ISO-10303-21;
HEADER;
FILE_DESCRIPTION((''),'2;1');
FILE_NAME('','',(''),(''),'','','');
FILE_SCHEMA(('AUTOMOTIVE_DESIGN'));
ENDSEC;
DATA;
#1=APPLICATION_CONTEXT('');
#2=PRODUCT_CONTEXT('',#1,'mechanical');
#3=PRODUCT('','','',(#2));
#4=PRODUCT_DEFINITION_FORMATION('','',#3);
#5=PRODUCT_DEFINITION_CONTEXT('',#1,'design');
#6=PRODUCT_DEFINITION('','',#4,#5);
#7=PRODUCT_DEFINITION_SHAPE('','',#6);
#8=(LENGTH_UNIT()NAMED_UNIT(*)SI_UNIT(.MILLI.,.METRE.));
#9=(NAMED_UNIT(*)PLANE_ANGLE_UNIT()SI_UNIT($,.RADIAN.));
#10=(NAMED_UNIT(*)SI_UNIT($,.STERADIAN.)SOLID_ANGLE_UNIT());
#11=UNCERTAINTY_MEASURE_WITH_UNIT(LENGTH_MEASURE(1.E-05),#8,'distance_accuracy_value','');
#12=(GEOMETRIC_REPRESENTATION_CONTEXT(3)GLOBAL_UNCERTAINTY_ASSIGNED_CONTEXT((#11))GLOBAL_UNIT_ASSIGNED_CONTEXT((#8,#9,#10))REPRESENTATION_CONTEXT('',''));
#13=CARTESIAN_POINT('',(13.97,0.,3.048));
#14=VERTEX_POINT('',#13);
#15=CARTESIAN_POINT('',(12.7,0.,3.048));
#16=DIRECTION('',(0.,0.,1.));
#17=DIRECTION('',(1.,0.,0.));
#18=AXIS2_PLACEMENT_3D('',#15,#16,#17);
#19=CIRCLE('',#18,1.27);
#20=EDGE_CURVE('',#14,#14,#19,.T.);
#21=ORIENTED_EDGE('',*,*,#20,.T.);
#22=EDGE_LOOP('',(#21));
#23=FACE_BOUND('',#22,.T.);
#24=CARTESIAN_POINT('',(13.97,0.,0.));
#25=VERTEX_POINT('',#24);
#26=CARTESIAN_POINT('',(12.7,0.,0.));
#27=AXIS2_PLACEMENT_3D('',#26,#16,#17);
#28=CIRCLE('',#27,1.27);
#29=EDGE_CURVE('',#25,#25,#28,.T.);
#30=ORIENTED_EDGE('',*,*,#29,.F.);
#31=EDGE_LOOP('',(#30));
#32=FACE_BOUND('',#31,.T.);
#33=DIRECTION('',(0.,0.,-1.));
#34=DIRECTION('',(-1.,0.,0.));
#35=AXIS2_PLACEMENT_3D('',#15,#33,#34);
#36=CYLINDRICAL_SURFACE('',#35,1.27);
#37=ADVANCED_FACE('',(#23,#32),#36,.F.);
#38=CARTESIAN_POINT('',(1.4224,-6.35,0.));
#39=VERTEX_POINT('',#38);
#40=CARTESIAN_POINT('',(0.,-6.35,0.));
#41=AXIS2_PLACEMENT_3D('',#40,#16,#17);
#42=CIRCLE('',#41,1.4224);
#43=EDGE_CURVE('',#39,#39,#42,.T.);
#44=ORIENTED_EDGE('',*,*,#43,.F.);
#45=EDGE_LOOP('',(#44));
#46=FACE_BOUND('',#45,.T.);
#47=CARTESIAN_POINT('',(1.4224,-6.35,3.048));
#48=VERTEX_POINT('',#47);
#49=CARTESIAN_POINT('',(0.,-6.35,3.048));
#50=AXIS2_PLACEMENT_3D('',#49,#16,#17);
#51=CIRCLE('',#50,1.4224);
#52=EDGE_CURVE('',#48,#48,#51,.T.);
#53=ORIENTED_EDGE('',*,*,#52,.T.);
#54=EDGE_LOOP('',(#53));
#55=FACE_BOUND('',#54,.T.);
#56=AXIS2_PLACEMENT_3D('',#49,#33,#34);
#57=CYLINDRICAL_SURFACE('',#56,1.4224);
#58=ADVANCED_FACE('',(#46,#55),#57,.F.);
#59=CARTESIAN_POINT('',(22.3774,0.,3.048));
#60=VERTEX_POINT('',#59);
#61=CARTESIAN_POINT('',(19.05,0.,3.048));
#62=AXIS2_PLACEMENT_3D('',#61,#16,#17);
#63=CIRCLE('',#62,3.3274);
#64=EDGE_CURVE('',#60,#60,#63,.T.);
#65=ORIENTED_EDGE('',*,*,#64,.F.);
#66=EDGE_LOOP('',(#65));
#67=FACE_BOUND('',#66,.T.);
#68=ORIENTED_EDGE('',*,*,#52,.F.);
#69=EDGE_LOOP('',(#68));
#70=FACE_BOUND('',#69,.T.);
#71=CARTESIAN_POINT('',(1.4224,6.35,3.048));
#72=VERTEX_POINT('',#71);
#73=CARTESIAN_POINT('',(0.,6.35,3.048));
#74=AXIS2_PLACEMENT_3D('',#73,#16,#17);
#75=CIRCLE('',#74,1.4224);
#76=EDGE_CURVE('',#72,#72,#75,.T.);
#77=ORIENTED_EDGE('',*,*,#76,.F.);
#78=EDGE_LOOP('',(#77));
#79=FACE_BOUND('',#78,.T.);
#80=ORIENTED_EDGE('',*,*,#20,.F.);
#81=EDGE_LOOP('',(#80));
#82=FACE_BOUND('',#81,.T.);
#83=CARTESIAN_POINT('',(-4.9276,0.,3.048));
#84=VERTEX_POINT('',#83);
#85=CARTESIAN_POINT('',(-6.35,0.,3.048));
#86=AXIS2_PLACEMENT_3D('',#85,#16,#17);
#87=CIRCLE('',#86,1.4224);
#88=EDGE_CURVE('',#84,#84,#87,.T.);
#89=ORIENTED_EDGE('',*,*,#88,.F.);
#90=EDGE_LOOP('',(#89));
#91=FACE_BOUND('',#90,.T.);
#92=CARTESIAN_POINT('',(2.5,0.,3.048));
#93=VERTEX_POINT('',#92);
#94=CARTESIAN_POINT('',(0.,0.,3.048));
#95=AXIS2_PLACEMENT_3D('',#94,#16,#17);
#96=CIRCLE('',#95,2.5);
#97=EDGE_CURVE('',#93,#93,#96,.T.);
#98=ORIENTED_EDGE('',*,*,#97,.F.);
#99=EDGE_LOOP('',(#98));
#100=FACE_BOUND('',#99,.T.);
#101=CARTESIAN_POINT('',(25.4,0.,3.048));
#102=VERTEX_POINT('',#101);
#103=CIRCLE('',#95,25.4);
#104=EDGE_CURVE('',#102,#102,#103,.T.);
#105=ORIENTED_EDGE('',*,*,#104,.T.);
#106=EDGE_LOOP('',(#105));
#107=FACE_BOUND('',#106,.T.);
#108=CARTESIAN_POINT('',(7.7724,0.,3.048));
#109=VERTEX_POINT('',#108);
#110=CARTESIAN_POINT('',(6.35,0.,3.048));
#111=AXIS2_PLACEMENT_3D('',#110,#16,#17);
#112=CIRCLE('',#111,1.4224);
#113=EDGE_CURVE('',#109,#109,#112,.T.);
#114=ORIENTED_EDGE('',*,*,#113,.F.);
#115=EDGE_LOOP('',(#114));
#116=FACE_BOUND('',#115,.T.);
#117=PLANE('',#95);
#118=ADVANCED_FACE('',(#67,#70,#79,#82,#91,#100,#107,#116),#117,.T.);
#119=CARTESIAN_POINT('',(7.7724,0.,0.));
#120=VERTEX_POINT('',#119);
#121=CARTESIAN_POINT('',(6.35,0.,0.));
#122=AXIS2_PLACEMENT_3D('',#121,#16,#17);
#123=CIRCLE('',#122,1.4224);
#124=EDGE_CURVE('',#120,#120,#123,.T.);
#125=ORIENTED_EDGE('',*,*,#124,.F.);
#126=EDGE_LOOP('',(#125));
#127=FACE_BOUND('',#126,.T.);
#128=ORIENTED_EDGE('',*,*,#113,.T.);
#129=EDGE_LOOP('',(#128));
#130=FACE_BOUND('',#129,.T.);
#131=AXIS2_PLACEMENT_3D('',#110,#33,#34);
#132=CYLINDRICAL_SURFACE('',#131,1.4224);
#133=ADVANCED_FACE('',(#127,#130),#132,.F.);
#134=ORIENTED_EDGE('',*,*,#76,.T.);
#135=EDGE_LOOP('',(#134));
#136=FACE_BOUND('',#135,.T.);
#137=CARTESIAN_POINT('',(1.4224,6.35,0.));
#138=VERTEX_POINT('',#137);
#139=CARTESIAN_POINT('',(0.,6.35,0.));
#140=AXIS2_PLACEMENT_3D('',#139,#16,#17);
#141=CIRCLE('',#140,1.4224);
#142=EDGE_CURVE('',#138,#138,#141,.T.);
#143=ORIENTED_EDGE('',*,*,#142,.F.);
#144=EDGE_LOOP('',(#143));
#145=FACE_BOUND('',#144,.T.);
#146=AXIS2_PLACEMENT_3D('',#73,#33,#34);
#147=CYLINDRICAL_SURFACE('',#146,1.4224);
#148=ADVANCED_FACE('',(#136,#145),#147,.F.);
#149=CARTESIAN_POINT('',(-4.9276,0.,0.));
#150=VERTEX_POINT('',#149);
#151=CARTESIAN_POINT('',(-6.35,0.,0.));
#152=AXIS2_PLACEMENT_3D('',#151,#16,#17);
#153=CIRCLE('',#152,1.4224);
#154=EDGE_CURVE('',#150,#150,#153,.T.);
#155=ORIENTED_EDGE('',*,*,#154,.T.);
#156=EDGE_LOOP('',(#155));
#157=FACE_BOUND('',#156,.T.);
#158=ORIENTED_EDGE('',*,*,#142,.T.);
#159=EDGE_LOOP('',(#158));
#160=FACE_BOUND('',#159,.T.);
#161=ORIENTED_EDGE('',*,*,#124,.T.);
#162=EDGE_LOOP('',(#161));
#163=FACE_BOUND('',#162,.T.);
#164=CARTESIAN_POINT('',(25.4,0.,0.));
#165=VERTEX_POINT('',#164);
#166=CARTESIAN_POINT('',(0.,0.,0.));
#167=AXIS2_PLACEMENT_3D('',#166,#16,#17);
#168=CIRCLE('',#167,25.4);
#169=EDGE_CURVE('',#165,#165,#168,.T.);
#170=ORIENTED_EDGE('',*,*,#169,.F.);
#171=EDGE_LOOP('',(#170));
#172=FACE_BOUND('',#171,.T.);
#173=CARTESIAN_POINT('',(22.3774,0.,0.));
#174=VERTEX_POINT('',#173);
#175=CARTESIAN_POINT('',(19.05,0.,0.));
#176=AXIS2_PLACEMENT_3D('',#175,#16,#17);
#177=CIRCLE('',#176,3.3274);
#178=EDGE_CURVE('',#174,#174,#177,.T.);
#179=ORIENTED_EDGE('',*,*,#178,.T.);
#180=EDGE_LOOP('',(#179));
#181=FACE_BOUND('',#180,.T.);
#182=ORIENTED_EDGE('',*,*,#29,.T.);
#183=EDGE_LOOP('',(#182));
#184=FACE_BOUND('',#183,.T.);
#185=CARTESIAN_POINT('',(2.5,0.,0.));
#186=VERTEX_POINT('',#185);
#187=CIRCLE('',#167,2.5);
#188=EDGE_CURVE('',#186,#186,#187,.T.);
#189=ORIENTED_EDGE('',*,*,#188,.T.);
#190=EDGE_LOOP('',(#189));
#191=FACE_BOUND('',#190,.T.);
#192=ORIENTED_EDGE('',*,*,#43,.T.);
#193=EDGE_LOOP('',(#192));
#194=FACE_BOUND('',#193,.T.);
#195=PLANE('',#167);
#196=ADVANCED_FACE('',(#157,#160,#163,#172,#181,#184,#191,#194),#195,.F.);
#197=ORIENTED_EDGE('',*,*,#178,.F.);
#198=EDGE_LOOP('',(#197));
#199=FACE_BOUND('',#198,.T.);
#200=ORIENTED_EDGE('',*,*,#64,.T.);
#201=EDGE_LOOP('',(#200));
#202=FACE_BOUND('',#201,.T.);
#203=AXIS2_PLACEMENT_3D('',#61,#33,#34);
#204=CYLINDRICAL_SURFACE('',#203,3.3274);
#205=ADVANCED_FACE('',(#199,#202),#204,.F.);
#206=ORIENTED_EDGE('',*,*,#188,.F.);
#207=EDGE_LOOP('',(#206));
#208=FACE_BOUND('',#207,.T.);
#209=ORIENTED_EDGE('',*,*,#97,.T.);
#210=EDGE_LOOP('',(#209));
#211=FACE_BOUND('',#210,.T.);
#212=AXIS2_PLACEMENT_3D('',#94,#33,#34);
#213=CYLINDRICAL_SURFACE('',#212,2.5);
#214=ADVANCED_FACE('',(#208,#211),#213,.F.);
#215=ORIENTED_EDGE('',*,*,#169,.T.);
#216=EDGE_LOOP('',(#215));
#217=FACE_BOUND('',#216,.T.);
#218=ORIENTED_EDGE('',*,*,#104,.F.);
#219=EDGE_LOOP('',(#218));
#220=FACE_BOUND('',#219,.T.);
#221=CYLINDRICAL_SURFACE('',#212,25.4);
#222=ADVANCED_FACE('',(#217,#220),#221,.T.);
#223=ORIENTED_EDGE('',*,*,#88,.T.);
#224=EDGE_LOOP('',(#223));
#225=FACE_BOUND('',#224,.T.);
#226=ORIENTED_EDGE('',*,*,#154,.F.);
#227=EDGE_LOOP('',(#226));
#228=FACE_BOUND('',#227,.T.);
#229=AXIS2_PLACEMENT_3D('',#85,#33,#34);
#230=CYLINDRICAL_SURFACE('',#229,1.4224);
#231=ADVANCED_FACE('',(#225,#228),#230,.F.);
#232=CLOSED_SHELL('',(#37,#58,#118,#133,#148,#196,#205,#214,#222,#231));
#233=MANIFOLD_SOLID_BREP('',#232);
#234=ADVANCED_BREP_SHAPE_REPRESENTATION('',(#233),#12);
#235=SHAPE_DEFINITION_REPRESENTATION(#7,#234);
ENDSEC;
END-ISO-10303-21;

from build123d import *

# Parameters (mm, degrees)
SKETCH1_R           = 25.4
SKETCH1_R_2         = 1.4224
SKETCH1_R_3         = 2.5
SKETCH1_R_4         = 3.3274
SKETCH1_R_5         = 1.27
BOSS_EXTRUDE1_DEPTH = 3.048


with BuildPart() as part:
    # Sketch1 → Boss-Extrude1 (new body)
    with BuildSketch(Plane.XY):
        Circle(SKETCH1_R)
        with Locations((0, 6.35)):
            Circle(SKETCH1_R_2, mode=Mode.SUBTRACT)
        with Locations((6.35, 0)):
            Circle(SKETCH1_R_2, mode=Mode.SUBTRACT)
        with Locations((0, -6.35)):
            Circle(SKETCH1_R_2, mode=Mode.SUBTRACT)
        with Locations((-6.35, 0)):
            Circle(SKETCH1_R_2, mode=Mode.SUBTRACT)
        Circle(SKETCH1_R_3, mode=Mode.SUBTRACT)
        with Locations((19.05, 0)):
            Circle(SKETCH1_R_4, mode=Mode.SUBTRACT)
        with Locations((12.7, 0)):
            Circle(SKETCH1_R_5, mode=Mode.SUBTRACT)
    extrude(amount=BOSS_EXTRUDE1_DEPTH)


solid = part.part
